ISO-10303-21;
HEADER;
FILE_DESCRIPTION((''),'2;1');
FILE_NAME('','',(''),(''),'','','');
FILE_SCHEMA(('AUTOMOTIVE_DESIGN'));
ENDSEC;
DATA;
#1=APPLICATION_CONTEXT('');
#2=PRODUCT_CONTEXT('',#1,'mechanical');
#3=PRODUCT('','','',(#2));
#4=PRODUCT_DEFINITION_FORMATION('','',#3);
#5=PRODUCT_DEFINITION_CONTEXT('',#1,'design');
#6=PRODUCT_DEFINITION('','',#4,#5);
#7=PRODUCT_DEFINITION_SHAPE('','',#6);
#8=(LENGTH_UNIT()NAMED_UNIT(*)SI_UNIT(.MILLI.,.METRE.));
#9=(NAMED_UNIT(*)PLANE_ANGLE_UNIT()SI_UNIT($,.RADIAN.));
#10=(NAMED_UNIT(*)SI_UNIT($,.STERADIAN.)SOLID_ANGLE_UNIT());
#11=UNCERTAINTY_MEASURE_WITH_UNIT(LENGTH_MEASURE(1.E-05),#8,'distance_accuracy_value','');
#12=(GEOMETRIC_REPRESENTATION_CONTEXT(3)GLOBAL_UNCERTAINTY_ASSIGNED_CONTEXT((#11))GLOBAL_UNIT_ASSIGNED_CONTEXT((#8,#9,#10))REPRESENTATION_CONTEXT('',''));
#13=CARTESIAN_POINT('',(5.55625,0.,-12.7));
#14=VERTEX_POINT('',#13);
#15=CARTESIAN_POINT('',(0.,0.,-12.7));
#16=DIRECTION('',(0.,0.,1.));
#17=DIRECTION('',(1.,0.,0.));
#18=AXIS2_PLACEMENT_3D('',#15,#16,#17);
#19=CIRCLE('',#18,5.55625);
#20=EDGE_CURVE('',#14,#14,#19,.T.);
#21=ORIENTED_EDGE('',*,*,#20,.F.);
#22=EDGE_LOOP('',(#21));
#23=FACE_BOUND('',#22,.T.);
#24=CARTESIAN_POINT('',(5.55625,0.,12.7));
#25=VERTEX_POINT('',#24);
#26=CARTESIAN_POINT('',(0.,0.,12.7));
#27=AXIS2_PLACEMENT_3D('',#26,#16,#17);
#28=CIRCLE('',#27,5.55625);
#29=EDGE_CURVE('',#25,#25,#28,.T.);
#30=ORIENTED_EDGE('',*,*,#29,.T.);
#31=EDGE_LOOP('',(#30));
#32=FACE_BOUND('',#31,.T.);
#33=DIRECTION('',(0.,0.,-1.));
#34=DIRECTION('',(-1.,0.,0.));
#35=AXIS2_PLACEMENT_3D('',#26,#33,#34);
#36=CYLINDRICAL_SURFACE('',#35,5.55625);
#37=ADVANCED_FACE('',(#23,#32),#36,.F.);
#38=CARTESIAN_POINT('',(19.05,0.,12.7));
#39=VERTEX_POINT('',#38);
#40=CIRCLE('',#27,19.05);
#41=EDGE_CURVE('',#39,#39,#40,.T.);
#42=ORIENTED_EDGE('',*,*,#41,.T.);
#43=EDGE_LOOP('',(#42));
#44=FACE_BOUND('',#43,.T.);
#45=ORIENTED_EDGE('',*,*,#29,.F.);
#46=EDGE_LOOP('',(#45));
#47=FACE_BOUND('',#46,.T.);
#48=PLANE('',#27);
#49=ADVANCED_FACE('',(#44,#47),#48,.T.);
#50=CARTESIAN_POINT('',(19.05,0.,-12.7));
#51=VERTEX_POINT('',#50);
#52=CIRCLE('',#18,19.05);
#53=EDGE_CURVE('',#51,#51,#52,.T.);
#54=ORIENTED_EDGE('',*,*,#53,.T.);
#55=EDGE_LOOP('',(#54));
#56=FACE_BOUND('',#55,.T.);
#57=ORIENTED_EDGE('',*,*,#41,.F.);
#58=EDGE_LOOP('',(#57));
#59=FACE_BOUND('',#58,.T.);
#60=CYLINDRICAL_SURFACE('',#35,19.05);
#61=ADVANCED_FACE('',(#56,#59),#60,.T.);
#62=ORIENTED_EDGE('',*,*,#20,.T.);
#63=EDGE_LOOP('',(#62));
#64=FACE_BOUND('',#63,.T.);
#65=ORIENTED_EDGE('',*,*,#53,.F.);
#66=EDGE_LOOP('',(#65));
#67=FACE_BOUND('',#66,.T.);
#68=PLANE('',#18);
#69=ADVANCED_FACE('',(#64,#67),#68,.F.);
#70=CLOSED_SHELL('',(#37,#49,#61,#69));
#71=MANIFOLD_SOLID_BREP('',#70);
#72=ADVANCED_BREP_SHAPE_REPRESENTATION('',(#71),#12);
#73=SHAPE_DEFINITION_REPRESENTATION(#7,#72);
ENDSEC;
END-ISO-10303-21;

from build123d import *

# Parameters (mm, degrees)
CROQUIS1_R              = 19.05
CROQUIS1_R_2            = 5.55625
SALIENTE_EXTRUIR1_DEPTH = 12.7


with BuildPart() as part:
    # Croquis1 → Saliente-Extruir1 (new, symmetric)
    with BuildSketch(Plane.XY):
        Circle(CROQUIS1_R)
        Circle(CROQUIS1_R_2, mode=Mode.SUBTRACT)
    extrude(amount=SALIENTE_EXTRUIR1_DEPTH, both=True)


solid = part.part
